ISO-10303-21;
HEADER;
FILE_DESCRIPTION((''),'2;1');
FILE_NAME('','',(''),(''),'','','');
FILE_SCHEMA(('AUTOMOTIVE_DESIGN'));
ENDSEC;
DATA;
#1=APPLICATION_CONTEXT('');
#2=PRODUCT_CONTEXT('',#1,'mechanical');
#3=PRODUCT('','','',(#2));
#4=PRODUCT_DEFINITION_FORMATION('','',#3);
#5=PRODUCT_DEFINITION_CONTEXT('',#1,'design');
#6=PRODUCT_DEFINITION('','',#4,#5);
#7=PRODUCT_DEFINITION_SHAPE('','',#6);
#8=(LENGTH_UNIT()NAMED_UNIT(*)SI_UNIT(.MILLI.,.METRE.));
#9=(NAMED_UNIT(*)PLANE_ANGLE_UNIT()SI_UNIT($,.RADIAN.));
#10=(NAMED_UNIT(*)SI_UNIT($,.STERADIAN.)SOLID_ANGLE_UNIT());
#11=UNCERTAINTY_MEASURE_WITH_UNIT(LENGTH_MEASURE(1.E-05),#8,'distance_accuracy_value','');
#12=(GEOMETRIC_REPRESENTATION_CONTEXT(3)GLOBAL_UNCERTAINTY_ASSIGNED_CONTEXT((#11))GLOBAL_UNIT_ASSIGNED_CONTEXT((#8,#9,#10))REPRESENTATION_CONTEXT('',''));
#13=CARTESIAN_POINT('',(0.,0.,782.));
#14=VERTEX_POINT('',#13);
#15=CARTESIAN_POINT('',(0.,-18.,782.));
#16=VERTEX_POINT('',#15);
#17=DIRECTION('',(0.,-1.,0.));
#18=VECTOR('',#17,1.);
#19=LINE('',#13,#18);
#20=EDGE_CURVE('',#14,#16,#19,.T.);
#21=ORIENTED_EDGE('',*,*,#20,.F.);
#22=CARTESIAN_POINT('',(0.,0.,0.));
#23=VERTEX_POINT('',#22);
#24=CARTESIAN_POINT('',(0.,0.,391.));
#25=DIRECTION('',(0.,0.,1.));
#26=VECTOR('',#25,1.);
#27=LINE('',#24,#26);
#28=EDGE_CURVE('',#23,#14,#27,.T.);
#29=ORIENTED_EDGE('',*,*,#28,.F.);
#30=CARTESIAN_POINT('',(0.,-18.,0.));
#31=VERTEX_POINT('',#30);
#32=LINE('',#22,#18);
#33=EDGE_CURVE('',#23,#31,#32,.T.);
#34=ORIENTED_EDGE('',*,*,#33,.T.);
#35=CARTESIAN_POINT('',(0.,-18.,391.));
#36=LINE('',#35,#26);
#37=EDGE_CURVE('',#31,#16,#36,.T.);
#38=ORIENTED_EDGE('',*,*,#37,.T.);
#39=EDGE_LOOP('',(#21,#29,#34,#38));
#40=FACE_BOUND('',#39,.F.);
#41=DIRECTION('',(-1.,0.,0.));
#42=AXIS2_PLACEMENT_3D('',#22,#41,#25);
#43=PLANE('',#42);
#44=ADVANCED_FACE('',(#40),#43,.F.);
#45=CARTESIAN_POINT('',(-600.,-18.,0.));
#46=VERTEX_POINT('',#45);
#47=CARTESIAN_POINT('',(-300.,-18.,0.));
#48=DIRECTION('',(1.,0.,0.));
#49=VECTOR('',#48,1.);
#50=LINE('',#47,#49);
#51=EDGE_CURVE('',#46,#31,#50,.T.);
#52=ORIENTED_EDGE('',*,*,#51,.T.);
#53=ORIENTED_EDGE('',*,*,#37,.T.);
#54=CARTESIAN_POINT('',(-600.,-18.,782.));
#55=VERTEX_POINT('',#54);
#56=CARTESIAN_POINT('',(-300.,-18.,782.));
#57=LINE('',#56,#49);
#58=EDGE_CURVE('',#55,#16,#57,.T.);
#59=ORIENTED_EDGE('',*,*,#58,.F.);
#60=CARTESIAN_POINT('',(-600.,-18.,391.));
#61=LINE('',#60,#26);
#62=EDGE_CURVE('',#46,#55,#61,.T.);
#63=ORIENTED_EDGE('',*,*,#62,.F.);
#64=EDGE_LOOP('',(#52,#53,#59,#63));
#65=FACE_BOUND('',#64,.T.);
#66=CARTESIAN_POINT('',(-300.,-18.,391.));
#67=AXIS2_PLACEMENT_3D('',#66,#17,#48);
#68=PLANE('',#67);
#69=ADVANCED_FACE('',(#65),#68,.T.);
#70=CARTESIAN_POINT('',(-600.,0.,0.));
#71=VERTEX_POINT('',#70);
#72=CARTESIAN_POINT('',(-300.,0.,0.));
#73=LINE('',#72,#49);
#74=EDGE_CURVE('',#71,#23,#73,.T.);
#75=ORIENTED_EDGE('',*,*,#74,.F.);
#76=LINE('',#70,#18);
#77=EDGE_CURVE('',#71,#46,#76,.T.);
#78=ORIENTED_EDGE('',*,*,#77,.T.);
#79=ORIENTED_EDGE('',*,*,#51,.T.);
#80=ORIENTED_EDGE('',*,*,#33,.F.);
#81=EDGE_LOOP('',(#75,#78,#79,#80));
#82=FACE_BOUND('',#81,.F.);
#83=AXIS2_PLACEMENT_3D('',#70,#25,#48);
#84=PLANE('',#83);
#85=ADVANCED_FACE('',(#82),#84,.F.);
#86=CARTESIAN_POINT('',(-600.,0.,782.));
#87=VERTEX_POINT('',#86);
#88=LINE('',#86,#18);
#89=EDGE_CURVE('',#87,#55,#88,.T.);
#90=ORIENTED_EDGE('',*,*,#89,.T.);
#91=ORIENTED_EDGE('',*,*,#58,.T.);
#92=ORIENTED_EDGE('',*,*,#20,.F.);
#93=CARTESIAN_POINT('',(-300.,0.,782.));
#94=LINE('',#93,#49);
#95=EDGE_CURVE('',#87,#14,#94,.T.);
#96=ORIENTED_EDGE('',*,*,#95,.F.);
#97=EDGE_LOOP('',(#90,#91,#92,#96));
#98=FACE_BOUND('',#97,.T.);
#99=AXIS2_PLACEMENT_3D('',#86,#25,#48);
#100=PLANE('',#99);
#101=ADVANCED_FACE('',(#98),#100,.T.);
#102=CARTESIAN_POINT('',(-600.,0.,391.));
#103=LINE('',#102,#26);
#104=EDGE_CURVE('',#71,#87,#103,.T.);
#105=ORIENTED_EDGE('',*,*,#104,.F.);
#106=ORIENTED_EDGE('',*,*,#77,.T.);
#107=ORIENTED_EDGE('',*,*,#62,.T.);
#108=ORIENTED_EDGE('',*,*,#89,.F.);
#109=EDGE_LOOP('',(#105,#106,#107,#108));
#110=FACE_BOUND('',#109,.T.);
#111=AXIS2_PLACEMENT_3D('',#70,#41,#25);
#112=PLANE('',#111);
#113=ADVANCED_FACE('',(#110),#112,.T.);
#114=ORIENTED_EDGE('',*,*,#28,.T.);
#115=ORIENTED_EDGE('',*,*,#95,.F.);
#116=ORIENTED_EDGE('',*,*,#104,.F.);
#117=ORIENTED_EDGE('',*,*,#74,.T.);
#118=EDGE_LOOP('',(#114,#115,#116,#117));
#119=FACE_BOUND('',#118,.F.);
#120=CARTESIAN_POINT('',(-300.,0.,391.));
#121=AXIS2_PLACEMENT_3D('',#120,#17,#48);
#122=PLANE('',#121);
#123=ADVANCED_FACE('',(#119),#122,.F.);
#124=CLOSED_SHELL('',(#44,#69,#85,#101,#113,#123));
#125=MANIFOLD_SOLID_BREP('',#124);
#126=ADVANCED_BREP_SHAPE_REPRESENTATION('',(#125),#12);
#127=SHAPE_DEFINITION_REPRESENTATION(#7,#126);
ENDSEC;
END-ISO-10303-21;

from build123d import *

# Parameters (mm, degrees)
SKETCH_W  = 600
SKETCH_H  = 782
PAD_DEPTH = 18


with BuildPart() as part:
    # Sketch → Pad (new body)
    with BuildSketch(Plane.XZ):
        with Locations((-300, 391)):
            Rectangle(SKETCH_W, SKETCH_H)
    extrude(amount=PAD_DEPTH)


solid = part.part
